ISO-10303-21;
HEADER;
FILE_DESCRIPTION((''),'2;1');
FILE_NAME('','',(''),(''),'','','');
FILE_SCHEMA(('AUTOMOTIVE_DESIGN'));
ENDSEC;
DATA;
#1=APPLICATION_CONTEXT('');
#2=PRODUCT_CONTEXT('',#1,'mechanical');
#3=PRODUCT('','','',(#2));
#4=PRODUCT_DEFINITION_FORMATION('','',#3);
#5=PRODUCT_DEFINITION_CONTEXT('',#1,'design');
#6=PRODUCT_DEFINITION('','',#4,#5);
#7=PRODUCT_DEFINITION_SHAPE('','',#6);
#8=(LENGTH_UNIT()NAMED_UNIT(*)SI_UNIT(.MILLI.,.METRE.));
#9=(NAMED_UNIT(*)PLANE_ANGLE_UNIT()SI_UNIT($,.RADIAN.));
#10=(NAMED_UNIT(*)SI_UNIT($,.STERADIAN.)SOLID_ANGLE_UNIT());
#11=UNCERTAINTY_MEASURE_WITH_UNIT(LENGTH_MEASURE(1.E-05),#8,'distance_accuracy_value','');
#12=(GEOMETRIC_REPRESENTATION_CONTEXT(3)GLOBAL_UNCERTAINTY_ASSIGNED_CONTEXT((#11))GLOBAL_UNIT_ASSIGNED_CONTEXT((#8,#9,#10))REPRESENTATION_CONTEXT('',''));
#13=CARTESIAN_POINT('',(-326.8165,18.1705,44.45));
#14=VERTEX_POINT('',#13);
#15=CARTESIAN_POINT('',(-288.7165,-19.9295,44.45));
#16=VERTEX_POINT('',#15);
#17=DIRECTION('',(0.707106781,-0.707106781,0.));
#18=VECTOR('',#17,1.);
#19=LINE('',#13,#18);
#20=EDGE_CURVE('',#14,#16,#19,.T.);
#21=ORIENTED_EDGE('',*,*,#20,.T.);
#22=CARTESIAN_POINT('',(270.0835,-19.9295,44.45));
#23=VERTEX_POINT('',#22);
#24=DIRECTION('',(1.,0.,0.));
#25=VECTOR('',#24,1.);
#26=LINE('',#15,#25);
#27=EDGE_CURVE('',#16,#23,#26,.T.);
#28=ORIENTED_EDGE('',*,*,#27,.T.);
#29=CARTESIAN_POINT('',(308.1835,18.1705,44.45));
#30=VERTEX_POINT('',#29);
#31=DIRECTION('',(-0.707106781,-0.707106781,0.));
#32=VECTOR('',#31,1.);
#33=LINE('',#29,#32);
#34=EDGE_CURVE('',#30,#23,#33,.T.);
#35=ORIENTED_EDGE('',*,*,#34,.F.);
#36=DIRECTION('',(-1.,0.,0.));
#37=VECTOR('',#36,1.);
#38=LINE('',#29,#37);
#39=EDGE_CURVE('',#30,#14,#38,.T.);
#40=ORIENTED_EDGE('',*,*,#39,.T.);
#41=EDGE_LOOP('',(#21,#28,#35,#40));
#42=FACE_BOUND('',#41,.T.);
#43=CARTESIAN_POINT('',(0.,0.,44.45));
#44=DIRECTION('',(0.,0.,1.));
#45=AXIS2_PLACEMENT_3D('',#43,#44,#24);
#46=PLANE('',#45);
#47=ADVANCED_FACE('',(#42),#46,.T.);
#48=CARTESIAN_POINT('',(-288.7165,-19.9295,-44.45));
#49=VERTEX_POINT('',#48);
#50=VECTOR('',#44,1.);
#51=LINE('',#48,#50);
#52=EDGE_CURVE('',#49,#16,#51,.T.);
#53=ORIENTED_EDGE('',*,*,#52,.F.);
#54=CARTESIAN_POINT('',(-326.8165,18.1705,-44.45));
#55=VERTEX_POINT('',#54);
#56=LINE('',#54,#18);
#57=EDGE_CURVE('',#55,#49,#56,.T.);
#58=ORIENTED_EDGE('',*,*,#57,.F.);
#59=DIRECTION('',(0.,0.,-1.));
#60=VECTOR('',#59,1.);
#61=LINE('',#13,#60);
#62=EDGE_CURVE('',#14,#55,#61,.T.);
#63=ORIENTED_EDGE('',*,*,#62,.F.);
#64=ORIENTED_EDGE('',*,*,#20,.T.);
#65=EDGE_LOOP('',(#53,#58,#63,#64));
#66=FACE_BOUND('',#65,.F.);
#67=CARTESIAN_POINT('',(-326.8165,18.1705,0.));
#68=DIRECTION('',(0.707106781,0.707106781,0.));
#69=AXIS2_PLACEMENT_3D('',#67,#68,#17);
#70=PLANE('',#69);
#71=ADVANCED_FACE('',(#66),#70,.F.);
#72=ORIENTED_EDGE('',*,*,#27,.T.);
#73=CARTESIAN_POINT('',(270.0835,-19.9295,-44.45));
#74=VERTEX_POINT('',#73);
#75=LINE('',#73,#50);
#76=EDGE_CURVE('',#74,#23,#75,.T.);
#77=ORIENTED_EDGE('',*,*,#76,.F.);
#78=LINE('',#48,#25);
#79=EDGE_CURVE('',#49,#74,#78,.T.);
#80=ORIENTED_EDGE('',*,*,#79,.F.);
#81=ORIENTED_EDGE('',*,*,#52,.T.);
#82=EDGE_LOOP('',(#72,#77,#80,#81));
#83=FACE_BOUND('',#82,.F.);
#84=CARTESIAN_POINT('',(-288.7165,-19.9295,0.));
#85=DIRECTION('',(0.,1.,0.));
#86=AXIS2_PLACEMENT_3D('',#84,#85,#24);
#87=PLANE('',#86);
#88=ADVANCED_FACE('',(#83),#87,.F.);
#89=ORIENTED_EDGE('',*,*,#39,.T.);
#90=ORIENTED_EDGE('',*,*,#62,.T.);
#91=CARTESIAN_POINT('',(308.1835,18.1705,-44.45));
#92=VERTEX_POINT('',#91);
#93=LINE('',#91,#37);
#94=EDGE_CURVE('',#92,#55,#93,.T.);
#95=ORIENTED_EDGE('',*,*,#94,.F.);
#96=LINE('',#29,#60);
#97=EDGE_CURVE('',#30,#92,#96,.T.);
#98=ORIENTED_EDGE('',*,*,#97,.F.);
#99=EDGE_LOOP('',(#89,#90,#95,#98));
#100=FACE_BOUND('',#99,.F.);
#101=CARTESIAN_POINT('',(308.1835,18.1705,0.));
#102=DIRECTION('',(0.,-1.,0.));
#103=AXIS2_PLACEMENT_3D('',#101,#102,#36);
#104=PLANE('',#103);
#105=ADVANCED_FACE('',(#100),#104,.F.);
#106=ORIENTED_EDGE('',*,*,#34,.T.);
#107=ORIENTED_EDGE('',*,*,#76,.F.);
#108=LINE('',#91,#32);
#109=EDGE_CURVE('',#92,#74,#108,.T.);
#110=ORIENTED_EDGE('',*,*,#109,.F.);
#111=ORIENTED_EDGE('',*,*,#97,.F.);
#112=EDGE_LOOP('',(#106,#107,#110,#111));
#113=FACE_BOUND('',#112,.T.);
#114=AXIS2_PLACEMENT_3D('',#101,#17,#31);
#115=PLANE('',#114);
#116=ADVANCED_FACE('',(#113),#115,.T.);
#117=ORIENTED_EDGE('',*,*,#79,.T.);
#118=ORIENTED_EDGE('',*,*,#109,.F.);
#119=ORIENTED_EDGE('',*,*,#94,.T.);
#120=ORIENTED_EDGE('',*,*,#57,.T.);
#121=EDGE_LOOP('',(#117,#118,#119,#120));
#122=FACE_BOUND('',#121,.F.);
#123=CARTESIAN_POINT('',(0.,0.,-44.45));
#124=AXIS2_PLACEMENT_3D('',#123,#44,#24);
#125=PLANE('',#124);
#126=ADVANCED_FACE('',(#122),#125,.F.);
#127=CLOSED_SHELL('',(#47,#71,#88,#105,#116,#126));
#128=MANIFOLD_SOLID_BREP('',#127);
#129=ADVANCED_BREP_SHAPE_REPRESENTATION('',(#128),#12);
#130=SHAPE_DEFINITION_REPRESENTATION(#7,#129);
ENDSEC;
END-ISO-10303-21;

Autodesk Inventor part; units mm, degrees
ref_plane "YZ Plane" through (0, 0, 0) normal (1, 0, 0) x (0, 1, 0)
ref_plane "XZ Plane" through (0, 0, 0) normal (0, 1, 0) x (-1, 0, 0)
ref_plane "XY Plane" through (0, 0, 0) normal (0, 0, 1) x (1, 0, 0)
sketch "Sketch2" plane through (0, 0, 0) normal (0, 0, 1) x (1, 0, 0)
  line L0 (-288.7165, -19.9295) -> (270.0835, -19.9295)
  line L1 (308.1835, 18.1705) -> (-326.8165, 18.1705)
  line L2 (-272.6622, -16.0762) -> (308.1835, 18.1705) construction
  line L3 (254.1408, -14.1298) -> (-326.8165, 18.1705) construction
  line L4 (-326.8165, 18.1705) -> (-288.7165, -19.9295)
  line L5 (-326.8165, 18.1705) -> (-272.9349, 18.1705) construction
  line L6 (308.1835, 18.1705) -> (270.0835, -19.9295)
  line L7 (308.1835, 18.1705) -> (362.0651, 18.1705) construction
  point P0 (0, 0)
  dimension "d10" = 45
  dimension "d11" = 135
  dimension "d14" = 635
  dimension "d15" = 38.1
extrude "Extrusion2" add sketch "Sketch2" along normal mid plane 88.9
properties part number "Short Wall 45 Diagonal Piece" material "Wood (Birch)"
